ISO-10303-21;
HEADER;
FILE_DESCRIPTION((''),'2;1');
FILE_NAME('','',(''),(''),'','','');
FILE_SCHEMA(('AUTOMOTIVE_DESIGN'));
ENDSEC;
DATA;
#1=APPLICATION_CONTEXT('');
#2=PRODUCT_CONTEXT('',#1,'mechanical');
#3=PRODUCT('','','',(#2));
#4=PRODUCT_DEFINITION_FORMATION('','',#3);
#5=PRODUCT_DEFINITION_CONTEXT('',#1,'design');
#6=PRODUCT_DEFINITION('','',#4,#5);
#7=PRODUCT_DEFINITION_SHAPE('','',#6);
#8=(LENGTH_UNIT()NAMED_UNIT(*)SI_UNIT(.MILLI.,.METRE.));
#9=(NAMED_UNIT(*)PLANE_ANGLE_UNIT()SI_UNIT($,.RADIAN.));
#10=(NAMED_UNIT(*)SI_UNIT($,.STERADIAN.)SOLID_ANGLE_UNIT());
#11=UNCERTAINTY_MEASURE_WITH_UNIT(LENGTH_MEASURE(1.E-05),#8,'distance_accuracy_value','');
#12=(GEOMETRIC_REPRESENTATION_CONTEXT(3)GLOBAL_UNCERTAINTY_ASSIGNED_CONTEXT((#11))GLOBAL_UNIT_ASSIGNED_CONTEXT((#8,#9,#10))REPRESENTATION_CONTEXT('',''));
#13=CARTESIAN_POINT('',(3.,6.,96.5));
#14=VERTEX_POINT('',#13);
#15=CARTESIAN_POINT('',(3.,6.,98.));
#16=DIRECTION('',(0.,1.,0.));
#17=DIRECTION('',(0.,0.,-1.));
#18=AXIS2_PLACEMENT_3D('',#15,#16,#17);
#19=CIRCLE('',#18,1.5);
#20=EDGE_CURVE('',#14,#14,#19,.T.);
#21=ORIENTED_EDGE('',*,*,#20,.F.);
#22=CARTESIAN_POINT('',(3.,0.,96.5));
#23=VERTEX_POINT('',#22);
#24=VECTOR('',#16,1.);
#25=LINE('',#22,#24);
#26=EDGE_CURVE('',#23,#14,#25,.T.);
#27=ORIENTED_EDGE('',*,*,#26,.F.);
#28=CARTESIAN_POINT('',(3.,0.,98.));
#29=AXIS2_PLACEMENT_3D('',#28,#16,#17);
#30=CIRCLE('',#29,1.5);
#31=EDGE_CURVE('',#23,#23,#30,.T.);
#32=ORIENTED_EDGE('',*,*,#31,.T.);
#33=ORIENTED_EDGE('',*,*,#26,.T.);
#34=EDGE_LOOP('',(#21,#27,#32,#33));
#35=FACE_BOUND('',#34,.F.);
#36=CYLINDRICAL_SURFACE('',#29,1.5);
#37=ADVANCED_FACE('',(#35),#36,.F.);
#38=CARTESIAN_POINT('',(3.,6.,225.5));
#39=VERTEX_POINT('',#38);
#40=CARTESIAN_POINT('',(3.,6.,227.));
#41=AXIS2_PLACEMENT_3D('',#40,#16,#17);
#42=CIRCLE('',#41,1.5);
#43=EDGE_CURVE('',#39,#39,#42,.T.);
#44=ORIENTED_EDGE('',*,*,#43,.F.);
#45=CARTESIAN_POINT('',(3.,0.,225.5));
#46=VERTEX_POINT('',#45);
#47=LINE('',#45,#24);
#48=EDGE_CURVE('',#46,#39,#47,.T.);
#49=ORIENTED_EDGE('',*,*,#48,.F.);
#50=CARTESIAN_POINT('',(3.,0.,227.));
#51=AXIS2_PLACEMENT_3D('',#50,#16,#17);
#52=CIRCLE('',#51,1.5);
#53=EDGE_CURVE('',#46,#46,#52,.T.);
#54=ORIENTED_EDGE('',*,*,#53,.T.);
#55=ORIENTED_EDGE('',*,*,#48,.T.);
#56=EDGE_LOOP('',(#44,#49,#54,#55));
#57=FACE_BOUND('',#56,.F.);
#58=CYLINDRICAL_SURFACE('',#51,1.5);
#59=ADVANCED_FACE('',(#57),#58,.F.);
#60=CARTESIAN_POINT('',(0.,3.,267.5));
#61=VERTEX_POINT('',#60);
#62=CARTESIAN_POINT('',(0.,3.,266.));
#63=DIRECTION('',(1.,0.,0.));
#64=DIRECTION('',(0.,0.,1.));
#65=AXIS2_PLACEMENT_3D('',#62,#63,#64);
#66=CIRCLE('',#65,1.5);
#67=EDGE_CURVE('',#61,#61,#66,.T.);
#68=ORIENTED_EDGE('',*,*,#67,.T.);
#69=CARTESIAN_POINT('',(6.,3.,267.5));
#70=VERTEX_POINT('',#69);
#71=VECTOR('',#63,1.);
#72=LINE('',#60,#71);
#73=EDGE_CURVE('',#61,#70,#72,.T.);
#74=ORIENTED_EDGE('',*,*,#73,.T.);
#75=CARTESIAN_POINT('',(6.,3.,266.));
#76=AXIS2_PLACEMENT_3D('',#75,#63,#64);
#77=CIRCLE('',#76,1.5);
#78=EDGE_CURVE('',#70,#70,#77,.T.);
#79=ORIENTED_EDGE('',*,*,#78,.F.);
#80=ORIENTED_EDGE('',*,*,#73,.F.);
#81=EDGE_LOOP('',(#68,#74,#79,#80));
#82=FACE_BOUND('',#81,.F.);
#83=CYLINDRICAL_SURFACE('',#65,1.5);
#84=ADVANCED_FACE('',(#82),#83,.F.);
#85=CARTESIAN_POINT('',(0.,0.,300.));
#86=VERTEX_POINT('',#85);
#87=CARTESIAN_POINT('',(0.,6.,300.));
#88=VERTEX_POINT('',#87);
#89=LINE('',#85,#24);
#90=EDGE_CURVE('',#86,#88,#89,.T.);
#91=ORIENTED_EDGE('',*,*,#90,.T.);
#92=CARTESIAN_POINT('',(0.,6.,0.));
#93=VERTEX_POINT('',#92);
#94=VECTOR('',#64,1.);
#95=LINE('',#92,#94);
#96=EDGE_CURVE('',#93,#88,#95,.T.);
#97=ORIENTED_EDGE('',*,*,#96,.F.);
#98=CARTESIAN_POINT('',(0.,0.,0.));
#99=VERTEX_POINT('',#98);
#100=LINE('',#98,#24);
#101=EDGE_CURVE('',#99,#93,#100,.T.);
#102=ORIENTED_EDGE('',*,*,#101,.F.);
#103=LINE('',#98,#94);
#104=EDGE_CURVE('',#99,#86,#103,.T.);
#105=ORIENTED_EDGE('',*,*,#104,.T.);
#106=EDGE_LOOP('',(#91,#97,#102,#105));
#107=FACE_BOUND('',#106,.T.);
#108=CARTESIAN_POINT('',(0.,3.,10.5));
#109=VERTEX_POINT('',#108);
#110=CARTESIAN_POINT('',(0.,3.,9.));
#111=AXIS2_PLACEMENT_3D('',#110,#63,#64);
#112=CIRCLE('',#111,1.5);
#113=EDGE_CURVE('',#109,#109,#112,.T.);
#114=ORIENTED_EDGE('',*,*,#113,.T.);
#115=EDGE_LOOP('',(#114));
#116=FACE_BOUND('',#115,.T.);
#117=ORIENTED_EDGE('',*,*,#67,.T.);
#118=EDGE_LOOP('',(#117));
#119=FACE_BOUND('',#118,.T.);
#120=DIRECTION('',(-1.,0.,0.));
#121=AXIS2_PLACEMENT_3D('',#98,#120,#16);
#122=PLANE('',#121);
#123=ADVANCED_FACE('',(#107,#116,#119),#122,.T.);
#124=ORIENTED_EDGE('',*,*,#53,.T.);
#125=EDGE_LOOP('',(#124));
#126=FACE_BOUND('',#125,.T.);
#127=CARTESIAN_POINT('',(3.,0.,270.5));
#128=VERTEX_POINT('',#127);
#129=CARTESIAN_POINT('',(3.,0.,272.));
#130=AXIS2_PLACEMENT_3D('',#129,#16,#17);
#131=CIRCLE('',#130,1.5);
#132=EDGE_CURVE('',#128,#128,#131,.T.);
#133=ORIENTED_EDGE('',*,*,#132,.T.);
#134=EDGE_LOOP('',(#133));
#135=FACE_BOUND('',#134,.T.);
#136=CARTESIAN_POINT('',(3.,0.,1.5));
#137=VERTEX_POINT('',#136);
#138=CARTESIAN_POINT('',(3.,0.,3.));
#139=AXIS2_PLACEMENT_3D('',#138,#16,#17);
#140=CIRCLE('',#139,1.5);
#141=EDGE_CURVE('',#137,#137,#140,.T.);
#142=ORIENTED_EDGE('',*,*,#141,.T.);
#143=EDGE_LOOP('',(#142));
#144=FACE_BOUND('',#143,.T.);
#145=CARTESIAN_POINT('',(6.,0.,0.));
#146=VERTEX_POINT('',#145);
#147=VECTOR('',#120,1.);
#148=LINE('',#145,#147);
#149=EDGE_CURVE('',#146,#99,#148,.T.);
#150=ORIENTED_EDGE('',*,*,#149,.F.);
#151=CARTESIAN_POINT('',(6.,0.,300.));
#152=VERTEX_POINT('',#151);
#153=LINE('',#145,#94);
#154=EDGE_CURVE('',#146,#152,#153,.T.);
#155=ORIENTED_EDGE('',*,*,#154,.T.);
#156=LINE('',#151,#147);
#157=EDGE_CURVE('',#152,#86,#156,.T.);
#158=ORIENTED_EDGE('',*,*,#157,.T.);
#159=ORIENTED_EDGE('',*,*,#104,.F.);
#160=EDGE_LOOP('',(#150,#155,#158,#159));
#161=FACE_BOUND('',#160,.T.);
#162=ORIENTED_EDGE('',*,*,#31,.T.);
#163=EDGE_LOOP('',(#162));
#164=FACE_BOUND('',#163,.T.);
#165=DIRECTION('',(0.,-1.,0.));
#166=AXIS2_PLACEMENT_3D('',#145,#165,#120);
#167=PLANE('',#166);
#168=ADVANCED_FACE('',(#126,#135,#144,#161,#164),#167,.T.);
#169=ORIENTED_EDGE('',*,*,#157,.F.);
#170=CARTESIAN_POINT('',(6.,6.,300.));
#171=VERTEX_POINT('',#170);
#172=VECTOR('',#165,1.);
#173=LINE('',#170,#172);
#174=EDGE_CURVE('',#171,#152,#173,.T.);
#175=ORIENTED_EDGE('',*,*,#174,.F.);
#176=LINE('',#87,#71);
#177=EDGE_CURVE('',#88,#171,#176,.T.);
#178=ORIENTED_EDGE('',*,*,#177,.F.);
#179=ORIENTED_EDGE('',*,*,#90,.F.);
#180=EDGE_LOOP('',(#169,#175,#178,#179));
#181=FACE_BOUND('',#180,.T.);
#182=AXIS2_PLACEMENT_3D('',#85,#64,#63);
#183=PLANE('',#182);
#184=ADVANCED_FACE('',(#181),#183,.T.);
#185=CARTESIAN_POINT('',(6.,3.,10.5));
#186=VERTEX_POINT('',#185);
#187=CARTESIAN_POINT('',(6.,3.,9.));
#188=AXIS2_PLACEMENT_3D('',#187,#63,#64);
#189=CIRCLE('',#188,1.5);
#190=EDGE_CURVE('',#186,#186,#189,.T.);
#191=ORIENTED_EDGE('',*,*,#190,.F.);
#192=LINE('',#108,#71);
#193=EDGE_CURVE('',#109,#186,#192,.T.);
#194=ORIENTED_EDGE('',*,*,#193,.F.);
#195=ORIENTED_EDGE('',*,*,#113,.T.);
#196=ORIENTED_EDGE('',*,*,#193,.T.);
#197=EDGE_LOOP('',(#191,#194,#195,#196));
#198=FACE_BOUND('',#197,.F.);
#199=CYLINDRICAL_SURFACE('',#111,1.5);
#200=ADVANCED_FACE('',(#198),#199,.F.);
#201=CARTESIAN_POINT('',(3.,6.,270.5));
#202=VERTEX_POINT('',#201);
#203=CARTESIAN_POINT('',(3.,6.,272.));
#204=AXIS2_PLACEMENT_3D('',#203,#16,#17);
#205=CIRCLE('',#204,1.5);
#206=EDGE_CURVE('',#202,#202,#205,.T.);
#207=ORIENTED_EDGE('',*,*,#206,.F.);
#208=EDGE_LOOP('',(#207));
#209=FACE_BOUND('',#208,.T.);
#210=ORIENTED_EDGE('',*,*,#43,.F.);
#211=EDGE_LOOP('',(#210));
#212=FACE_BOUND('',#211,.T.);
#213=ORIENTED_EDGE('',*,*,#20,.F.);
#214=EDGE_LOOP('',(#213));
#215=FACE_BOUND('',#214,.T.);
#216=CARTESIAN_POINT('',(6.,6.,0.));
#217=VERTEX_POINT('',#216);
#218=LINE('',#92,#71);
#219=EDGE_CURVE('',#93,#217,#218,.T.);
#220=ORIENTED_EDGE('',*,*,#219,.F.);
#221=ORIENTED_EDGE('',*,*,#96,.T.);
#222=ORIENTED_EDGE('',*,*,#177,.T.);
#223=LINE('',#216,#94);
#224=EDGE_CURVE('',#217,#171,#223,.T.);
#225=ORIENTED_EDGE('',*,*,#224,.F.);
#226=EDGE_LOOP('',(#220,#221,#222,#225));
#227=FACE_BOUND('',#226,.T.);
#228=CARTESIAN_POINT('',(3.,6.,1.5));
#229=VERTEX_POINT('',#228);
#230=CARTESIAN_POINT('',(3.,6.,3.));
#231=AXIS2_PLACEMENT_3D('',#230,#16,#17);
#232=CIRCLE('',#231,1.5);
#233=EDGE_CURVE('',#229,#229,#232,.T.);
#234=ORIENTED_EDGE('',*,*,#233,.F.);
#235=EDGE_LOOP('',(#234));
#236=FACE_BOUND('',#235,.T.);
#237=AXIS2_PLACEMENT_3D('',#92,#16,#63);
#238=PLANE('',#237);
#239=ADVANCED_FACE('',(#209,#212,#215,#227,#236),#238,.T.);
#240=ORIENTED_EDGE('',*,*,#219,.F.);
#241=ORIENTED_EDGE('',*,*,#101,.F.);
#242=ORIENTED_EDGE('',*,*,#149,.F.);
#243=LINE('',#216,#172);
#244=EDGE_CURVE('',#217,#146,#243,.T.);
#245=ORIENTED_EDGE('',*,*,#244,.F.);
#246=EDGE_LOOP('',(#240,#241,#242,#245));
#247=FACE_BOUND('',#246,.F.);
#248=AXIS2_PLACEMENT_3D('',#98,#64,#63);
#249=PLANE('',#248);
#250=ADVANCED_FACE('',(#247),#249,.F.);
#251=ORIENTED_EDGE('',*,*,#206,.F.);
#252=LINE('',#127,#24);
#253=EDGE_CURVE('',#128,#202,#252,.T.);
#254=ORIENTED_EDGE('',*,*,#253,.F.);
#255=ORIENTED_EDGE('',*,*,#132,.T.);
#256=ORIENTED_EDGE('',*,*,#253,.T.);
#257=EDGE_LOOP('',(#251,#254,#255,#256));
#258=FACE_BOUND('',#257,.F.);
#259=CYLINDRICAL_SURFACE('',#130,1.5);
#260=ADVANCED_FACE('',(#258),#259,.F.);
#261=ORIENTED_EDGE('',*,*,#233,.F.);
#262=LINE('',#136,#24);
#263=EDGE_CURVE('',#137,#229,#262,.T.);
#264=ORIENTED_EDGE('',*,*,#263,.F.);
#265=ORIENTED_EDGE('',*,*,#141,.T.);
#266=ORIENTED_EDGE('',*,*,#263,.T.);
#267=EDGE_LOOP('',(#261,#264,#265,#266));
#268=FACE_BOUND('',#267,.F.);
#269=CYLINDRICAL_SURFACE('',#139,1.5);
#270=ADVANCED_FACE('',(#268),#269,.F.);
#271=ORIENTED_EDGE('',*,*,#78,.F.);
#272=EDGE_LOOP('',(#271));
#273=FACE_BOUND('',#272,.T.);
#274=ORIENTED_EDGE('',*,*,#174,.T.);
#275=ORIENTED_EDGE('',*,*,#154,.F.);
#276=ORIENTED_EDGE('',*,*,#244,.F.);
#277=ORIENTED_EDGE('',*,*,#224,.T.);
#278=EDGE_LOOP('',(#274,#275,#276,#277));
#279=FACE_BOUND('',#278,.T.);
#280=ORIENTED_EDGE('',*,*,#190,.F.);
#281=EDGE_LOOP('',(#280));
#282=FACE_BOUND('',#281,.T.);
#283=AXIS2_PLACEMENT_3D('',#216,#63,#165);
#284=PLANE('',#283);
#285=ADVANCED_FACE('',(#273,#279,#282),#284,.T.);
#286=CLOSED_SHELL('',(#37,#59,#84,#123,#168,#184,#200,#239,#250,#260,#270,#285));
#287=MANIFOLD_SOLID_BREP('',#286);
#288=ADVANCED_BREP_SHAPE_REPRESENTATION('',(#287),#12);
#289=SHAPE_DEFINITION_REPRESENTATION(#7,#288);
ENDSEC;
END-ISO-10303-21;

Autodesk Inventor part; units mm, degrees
ref_plane "YZ Plane" through (0, 0, 0) normal (1, 0, 0) x (0, 1, 0)
ref_plane "XZ Plane" through (0, 0, 0) normal (0, 1, 0) x (-1, 0, 0)
ref_plane "XY Plane" through (0, 0, 0) normal (0, 0, 1) x (1, 0, 0)
sketch "Sketch1" plane through (0, 0, 0) normal (0, 0, 1) x (1, 0, 0)
  line L0 (0, 6) -> (6, 6)
  line L1 (6, 6) -> (6, 0)
  line L2 (6, 0) -> (0, 0)
  line L3 (0, 0) -> (0, 6)
  dimension "d0" = 6
  dimension "d1" = 6
extrude "Extrusion1" add sketch "Sketch1" along normal blind 300
sketch "Sketch3" plane through (0, 0, 0) normal (0, 1, 0) x (-1, 0, 0)
  line L0 (-6, 300) -> (0, 300) construction
  line L1 (-6, 0) -> (-6, 300) construction
  line L2 (0, 0) -> (0, 300) construction
  line L3 (0, 0) -> (-6, 0) construction
  line L4 (-3, 0) -> (-3, 300) construction
  line L5 (0, 300) -> (-6, 300) projected
  line L6 (-6, 0) -> (0, 0) projected
  point P0 (-3, 227)
  point P1 (-3, 98)
  point P2 (-3, 272)
  point P3 (-3, 3)
  dimension "d8" = 129
  dimension "d17" = 73
  dimension "d18" = 28
  dimension "d19" = 3
hole "Hole1" at (3, 0, 227) at (3, 0, 98) at (3, 0, 3) at (3, 0, 272) direction (0, 1, 0) diameter 3 end through all
sketch "Sketch4" plane through (0, 0, 0) normal (-1, 0, 0) x (0, 0, 1)
  line L0 (0, 0) -> (0, 6) construction
  line L1 (0, 0) -> (300, 0) construction
  line L2 (300, 6) -> (300, 0) construction
  line L3 (0, 6) -> (300, 6) construction
  line L4 (0, 0) -> (0, 6) construction
  line L5 (0, 3) -> (300, 3) construction
  line L6 (300, 6) -> (300, 0) construction
  point P0 (266, 3)
  point P1 (9, 3)
  dimension "d20" = 9
  dimension "d21" = 34
hole "Hole2" at (0, 3, 266) at (0, 3, 9) direction (1, 0, 0) diameter 3 end through all
equation "\"d1\" = d0"
properties part number "longitudinal" material "Aluminum"
